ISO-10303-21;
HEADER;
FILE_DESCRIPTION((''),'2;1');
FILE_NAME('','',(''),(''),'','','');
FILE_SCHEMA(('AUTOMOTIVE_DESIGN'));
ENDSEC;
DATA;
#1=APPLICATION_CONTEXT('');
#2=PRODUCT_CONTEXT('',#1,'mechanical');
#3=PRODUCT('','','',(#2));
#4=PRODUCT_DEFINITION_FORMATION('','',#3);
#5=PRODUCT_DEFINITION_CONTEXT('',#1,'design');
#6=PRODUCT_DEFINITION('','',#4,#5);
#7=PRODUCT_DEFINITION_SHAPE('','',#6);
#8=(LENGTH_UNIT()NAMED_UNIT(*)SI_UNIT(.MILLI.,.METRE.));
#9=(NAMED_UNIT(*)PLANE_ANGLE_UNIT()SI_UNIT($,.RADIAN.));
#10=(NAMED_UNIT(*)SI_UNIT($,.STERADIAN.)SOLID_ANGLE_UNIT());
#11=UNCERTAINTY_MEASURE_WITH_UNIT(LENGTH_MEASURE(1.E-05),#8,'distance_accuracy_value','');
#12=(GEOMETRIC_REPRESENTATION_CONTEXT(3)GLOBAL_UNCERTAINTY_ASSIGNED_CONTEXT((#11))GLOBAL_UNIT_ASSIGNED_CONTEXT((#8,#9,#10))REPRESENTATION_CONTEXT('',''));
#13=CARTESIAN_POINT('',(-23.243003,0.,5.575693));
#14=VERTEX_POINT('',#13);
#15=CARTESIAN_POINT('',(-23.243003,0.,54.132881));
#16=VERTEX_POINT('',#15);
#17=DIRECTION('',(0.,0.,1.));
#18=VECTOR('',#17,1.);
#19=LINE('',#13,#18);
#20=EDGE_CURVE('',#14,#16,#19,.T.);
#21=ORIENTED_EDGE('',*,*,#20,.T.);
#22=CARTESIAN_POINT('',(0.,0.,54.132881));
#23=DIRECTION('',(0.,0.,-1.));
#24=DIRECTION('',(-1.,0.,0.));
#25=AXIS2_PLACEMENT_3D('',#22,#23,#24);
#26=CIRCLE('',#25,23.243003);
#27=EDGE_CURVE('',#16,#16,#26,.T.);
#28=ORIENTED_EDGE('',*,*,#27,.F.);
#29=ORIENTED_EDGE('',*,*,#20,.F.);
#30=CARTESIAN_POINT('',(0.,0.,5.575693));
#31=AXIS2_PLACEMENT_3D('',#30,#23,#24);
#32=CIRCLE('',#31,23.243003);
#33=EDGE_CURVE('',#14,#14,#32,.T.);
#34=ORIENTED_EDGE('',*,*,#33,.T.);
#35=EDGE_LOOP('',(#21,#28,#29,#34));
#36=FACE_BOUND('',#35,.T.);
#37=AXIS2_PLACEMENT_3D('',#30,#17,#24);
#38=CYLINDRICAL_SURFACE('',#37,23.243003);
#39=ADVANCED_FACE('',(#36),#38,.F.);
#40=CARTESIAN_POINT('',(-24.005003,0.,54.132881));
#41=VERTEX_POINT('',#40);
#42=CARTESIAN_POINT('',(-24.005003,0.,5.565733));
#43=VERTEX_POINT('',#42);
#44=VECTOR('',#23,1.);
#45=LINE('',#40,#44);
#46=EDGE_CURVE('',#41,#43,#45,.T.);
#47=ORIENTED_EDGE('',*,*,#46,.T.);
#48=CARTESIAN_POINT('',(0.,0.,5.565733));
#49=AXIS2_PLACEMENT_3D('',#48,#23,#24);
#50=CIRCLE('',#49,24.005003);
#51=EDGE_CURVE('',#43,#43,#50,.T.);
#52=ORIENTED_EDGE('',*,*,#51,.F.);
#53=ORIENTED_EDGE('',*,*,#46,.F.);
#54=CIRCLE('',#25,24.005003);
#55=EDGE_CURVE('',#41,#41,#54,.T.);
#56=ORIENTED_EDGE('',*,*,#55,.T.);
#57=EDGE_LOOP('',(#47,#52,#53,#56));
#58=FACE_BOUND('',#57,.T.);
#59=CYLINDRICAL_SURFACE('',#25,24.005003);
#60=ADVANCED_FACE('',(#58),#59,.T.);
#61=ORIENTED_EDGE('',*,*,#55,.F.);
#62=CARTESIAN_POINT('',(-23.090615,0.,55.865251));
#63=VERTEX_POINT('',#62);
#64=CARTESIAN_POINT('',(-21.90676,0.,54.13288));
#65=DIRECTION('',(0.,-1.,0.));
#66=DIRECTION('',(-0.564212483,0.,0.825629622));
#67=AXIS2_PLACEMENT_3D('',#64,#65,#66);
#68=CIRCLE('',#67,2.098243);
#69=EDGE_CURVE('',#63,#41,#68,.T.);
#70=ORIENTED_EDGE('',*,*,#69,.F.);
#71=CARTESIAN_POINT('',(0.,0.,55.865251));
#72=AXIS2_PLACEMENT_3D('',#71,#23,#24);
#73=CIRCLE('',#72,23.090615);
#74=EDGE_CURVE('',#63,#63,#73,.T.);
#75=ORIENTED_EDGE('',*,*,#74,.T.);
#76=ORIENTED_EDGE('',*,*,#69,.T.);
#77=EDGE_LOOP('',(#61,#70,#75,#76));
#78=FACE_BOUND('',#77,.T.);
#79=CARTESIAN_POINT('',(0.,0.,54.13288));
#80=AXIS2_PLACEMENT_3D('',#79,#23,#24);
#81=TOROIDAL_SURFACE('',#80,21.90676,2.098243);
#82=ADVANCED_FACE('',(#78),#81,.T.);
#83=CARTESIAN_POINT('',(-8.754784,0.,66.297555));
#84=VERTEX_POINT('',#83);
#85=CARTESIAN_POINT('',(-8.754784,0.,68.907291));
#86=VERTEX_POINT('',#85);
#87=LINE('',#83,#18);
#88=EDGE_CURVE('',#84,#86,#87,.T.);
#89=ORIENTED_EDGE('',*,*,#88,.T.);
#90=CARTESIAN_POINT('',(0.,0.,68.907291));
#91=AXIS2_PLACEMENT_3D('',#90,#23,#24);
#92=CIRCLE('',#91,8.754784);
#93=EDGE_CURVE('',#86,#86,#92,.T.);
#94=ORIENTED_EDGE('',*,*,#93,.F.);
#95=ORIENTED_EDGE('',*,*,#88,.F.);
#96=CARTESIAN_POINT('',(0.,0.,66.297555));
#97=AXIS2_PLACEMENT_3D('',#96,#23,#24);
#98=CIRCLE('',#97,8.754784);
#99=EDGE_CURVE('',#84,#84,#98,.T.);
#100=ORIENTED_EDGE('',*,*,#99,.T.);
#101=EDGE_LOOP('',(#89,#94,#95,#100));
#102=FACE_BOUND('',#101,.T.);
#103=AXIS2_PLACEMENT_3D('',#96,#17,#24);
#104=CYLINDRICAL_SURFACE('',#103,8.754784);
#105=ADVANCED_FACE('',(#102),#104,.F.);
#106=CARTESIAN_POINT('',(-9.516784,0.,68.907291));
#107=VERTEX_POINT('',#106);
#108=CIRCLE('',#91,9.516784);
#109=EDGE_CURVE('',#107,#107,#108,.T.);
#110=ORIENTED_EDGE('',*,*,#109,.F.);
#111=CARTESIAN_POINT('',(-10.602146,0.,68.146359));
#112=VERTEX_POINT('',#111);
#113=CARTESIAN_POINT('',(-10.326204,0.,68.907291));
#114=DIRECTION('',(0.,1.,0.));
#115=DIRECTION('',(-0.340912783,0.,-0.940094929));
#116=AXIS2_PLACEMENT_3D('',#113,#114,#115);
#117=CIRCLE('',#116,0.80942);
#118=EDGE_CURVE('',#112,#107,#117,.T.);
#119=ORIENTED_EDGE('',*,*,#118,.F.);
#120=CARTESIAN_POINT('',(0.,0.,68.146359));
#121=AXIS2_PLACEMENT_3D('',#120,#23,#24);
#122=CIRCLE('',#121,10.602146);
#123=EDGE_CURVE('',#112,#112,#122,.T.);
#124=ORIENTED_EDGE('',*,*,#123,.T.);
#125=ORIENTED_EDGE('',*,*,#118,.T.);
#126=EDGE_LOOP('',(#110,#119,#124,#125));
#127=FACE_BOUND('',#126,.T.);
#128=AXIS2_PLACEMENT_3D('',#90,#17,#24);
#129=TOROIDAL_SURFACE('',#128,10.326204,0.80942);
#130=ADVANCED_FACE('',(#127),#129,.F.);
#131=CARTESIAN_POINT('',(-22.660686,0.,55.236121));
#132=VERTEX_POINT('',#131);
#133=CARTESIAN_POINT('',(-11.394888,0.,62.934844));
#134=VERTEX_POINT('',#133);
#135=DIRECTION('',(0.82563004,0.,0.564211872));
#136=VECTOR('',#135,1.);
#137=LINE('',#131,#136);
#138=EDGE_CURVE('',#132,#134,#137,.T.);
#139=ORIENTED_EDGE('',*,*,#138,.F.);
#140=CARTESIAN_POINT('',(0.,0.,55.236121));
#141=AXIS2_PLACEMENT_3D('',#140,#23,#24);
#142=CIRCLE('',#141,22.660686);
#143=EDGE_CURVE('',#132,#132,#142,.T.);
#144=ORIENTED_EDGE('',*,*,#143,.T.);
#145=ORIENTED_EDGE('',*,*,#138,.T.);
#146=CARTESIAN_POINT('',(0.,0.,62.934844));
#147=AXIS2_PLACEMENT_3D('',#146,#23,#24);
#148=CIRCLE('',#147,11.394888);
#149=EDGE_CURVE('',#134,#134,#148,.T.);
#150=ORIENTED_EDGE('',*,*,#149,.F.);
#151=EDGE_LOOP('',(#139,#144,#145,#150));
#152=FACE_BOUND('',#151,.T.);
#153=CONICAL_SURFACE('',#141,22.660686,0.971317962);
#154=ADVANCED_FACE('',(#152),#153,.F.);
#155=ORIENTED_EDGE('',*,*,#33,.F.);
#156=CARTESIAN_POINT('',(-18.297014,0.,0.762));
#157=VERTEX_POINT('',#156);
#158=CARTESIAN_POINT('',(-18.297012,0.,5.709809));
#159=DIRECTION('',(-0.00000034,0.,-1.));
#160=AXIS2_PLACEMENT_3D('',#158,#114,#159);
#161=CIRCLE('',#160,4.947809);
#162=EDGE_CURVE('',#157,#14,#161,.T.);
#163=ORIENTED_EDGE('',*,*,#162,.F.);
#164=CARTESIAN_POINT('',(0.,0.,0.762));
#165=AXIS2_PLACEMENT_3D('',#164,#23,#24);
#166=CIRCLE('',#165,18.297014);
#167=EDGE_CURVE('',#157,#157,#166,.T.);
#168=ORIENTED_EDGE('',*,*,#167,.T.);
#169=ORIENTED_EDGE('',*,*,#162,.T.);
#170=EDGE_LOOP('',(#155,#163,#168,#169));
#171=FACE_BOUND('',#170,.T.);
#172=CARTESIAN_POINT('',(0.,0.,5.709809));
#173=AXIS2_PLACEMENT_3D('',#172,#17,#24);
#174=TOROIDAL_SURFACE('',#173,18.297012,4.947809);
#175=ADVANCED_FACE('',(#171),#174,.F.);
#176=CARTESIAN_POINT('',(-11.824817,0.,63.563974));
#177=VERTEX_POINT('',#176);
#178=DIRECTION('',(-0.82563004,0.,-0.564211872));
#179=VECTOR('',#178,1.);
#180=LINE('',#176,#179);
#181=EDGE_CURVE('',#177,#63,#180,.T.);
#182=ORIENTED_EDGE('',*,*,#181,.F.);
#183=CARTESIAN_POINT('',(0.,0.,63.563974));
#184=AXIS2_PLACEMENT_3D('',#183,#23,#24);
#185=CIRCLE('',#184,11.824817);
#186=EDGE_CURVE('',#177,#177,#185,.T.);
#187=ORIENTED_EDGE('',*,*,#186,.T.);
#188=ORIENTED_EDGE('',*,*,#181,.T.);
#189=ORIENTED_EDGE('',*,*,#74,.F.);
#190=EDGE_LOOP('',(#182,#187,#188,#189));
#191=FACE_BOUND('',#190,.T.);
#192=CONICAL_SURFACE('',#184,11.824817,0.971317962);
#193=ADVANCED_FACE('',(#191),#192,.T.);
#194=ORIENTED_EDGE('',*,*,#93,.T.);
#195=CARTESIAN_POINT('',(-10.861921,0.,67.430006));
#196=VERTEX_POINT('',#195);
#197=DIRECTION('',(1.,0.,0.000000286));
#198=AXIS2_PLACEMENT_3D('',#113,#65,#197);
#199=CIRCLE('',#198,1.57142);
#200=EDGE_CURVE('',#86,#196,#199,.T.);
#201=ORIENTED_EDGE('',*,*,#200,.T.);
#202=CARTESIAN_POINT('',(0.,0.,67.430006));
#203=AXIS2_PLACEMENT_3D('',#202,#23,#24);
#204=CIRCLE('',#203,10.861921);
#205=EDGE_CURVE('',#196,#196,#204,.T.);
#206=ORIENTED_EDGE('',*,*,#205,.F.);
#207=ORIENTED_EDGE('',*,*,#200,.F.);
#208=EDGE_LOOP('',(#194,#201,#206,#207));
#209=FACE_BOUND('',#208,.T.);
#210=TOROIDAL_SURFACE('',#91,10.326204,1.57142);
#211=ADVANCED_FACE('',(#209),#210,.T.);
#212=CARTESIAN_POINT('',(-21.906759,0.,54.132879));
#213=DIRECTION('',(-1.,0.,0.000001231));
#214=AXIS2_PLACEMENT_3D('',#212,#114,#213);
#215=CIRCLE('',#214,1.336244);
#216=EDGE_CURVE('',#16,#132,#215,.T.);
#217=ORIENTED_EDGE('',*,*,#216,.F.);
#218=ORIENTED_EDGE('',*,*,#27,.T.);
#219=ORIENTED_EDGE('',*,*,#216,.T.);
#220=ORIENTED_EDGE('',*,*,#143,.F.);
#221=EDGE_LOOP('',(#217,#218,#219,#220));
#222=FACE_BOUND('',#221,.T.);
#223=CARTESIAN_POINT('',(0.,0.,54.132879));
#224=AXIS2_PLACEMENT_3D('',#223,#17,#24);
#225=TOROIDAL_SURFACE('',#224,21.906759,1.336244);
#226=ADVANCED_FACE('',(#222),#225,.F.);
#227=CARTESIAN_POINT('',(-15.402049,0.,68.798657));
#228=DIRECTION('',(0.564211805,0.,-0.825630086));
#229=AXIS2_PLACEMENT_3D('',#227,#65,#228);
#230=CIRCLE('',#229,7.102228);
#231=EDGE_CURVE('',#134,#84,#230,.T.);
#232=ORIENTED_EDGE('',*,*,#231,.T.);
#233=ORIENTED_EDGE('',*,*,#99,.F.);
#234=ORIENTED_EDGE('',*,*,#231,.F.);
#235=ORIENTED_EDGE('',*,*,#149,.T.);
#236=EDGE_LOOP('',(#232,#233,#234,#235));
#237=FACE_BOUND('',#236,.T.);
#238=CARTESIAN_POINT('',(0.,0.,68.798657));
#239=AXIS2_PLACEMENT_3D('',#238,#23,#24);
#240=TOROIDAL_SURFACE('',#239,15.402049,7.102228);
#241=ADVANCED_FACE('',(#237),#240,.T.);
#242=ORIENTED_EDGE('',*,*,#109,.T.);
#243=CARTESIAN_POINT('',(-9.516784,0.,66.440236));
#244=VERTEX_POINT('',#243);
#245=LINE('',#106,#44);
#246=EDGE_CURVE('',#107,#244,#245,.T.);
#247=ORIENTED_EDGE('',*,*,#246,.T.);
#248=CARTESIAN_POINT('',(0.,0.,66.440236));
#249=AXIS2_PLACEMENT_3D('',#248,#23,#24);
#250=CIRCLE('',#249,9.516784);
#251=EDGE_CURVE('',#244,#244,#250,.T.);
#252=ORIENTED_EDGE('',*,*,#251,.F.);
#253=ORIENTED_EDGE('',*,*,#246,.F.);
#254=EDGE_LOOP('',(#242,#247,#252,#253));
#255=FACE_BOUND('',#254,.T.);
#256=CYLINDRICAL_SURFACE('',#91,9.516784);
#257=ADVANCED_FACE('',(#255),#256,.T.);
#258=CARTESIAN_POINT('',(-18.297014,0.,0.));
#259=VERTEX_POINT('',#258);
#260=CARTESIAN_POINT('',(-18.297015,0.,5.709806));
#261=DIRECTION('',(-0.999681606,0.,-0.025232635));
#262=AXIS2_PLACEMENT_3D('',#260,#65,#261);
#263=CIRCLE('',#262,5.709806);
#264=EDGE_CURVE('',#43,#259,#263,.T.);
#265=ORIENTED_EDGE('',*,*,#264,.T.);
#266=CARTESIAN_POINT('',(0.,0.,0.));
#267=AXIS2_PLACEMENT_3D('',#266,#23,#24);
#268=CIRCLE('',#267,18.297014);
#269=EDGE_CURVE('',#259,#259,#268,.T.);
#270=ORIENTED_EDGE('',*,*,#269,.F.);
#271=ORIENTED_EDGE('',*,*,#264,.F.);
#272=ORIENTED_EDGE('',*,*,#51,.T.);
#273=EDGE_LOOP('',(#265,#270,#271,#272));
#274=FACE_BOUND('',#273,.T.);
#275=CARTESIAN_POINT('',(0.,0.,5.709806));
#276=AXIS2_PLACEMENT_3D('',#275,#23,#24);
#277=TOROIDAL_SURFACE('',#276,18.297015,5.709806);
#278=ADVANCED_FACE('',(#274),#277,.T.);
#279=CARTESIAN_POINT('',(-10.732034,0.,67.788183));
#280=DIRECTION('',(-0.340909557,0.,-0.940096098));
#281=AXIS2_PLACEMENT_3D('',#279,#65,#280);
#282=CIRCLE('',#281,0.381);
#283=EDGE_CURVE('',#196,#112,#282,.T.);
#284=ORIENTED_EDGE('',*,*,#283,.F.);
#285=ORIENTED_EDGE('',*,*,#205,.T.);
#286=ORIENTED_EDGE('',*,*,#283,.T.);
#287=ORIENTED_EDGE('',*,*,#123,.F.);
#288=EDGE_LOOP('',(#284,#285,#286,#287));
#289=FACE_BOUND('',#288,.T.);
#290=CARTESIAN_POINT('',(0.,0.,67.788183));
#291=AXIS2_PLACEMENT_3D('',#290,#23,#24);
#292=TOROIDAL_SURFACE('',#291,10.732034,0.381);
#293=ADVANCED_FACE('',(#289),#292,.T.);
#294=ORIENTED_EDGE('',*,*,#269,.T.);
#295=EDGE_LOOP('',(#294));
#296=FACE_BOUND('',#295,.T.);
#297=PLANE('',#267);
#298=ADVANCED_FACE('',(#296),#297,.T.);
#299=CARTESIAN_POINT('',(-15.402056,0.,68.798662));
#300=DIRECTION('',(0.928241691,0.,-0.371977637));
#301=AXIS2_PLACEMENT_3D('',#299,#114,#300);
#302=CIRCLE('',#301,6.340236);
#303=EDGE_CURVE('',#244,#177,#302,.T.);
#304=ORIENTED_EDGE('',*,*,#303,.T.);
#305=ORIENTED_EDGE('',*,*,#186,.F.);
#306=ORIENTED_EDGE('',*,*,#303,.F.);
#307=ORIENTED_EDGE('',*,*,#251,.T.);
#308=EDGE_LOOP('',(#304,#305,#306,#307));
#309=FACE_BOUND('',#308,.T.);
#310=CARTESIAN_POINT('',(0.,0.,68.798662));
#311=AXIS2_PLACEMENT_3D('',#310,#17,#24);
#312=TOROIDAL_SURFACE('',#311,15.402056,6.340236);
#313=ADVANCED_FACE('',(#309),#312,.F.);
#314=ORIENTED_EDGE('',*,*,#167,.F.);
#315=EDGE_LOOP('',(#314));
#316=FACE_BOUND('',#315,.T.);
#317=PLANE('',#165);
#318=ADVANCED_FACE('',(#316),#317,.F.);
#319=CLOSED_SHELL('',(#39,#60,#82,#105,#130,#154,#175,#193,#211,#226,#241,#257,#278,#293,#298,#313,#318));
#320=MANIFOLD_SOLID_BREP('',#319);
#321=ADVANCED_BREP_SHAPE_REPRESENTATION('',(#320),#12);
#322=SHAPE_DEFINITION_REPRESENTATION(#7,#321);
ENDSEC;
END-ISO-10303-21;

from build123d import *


with BuildPart() as f1:
    # F0 (on Front) → F1 (revolve)
    with BuildSketch(Plane.XZ):
        with BuildLine():
            Line((-18.297014, 0), (0, 0))
            Line((0, 0), (0, 0.762))
            Line((0, 0.762), (-18.297014, 0.762))
            ThreePointArc((-18.297014, 0.762), (-21.747899, 2.16408), (-23.243003, 5.575693))
            Line((-23.243003, 5.575693), (-23.243003, 54.132881))
            ThreePointArc((-23.243003, 54.132881), (-23.08849, 54.756626), (-22.660686, 55.236121))
            Line((-22.660686, 55.236121), (-11.394888, 62.934844))
            ThreePointArc((-11.394888, 62.934844), (-9.815802, 64.412829), (-8.754784, 66.297555))
            Line((-8.754784, 66.297555), (-8.754784, 68.907291))
            ThreePointArc((-8.754784, 68.907291), (-11.228293, 70.193991), (-10.861921, 67.430006))
            ThreePointArc((-10.861921, 67.430006), (-10.373858, 67.658295), (-10.602146, 68.146359))
            ThreePointArc((-10.602146, 68.146359), (-10.79086, 69.570055), (-9.516784, 68.907291))
            Line((-9.516784, 68.907291), (-9.516784, 66.440236))
            ThreePointArc((-9.516784, 66.440236), (-10.457059, 64.830589), (-11.824817, 63.563974))
            Line((-11.824817, 63.563974), (-23.090615, 55.865251))
            ThreePointArc((-23.090615, 55.865251), (-23.762378, 55.112321), (-24.005003, 54.132881))
            Line((-24.005003, 54.132881), (-24.005003, 5.565733))
            ThreePointArc((-24.005003, 5.565733), (-22.283194, 1.621743), (-18.297014, 0))
        make_face()
    revolve(axis=Axis((0, 0, 0.381), (0, 0, -1)))


solid = f1.part
